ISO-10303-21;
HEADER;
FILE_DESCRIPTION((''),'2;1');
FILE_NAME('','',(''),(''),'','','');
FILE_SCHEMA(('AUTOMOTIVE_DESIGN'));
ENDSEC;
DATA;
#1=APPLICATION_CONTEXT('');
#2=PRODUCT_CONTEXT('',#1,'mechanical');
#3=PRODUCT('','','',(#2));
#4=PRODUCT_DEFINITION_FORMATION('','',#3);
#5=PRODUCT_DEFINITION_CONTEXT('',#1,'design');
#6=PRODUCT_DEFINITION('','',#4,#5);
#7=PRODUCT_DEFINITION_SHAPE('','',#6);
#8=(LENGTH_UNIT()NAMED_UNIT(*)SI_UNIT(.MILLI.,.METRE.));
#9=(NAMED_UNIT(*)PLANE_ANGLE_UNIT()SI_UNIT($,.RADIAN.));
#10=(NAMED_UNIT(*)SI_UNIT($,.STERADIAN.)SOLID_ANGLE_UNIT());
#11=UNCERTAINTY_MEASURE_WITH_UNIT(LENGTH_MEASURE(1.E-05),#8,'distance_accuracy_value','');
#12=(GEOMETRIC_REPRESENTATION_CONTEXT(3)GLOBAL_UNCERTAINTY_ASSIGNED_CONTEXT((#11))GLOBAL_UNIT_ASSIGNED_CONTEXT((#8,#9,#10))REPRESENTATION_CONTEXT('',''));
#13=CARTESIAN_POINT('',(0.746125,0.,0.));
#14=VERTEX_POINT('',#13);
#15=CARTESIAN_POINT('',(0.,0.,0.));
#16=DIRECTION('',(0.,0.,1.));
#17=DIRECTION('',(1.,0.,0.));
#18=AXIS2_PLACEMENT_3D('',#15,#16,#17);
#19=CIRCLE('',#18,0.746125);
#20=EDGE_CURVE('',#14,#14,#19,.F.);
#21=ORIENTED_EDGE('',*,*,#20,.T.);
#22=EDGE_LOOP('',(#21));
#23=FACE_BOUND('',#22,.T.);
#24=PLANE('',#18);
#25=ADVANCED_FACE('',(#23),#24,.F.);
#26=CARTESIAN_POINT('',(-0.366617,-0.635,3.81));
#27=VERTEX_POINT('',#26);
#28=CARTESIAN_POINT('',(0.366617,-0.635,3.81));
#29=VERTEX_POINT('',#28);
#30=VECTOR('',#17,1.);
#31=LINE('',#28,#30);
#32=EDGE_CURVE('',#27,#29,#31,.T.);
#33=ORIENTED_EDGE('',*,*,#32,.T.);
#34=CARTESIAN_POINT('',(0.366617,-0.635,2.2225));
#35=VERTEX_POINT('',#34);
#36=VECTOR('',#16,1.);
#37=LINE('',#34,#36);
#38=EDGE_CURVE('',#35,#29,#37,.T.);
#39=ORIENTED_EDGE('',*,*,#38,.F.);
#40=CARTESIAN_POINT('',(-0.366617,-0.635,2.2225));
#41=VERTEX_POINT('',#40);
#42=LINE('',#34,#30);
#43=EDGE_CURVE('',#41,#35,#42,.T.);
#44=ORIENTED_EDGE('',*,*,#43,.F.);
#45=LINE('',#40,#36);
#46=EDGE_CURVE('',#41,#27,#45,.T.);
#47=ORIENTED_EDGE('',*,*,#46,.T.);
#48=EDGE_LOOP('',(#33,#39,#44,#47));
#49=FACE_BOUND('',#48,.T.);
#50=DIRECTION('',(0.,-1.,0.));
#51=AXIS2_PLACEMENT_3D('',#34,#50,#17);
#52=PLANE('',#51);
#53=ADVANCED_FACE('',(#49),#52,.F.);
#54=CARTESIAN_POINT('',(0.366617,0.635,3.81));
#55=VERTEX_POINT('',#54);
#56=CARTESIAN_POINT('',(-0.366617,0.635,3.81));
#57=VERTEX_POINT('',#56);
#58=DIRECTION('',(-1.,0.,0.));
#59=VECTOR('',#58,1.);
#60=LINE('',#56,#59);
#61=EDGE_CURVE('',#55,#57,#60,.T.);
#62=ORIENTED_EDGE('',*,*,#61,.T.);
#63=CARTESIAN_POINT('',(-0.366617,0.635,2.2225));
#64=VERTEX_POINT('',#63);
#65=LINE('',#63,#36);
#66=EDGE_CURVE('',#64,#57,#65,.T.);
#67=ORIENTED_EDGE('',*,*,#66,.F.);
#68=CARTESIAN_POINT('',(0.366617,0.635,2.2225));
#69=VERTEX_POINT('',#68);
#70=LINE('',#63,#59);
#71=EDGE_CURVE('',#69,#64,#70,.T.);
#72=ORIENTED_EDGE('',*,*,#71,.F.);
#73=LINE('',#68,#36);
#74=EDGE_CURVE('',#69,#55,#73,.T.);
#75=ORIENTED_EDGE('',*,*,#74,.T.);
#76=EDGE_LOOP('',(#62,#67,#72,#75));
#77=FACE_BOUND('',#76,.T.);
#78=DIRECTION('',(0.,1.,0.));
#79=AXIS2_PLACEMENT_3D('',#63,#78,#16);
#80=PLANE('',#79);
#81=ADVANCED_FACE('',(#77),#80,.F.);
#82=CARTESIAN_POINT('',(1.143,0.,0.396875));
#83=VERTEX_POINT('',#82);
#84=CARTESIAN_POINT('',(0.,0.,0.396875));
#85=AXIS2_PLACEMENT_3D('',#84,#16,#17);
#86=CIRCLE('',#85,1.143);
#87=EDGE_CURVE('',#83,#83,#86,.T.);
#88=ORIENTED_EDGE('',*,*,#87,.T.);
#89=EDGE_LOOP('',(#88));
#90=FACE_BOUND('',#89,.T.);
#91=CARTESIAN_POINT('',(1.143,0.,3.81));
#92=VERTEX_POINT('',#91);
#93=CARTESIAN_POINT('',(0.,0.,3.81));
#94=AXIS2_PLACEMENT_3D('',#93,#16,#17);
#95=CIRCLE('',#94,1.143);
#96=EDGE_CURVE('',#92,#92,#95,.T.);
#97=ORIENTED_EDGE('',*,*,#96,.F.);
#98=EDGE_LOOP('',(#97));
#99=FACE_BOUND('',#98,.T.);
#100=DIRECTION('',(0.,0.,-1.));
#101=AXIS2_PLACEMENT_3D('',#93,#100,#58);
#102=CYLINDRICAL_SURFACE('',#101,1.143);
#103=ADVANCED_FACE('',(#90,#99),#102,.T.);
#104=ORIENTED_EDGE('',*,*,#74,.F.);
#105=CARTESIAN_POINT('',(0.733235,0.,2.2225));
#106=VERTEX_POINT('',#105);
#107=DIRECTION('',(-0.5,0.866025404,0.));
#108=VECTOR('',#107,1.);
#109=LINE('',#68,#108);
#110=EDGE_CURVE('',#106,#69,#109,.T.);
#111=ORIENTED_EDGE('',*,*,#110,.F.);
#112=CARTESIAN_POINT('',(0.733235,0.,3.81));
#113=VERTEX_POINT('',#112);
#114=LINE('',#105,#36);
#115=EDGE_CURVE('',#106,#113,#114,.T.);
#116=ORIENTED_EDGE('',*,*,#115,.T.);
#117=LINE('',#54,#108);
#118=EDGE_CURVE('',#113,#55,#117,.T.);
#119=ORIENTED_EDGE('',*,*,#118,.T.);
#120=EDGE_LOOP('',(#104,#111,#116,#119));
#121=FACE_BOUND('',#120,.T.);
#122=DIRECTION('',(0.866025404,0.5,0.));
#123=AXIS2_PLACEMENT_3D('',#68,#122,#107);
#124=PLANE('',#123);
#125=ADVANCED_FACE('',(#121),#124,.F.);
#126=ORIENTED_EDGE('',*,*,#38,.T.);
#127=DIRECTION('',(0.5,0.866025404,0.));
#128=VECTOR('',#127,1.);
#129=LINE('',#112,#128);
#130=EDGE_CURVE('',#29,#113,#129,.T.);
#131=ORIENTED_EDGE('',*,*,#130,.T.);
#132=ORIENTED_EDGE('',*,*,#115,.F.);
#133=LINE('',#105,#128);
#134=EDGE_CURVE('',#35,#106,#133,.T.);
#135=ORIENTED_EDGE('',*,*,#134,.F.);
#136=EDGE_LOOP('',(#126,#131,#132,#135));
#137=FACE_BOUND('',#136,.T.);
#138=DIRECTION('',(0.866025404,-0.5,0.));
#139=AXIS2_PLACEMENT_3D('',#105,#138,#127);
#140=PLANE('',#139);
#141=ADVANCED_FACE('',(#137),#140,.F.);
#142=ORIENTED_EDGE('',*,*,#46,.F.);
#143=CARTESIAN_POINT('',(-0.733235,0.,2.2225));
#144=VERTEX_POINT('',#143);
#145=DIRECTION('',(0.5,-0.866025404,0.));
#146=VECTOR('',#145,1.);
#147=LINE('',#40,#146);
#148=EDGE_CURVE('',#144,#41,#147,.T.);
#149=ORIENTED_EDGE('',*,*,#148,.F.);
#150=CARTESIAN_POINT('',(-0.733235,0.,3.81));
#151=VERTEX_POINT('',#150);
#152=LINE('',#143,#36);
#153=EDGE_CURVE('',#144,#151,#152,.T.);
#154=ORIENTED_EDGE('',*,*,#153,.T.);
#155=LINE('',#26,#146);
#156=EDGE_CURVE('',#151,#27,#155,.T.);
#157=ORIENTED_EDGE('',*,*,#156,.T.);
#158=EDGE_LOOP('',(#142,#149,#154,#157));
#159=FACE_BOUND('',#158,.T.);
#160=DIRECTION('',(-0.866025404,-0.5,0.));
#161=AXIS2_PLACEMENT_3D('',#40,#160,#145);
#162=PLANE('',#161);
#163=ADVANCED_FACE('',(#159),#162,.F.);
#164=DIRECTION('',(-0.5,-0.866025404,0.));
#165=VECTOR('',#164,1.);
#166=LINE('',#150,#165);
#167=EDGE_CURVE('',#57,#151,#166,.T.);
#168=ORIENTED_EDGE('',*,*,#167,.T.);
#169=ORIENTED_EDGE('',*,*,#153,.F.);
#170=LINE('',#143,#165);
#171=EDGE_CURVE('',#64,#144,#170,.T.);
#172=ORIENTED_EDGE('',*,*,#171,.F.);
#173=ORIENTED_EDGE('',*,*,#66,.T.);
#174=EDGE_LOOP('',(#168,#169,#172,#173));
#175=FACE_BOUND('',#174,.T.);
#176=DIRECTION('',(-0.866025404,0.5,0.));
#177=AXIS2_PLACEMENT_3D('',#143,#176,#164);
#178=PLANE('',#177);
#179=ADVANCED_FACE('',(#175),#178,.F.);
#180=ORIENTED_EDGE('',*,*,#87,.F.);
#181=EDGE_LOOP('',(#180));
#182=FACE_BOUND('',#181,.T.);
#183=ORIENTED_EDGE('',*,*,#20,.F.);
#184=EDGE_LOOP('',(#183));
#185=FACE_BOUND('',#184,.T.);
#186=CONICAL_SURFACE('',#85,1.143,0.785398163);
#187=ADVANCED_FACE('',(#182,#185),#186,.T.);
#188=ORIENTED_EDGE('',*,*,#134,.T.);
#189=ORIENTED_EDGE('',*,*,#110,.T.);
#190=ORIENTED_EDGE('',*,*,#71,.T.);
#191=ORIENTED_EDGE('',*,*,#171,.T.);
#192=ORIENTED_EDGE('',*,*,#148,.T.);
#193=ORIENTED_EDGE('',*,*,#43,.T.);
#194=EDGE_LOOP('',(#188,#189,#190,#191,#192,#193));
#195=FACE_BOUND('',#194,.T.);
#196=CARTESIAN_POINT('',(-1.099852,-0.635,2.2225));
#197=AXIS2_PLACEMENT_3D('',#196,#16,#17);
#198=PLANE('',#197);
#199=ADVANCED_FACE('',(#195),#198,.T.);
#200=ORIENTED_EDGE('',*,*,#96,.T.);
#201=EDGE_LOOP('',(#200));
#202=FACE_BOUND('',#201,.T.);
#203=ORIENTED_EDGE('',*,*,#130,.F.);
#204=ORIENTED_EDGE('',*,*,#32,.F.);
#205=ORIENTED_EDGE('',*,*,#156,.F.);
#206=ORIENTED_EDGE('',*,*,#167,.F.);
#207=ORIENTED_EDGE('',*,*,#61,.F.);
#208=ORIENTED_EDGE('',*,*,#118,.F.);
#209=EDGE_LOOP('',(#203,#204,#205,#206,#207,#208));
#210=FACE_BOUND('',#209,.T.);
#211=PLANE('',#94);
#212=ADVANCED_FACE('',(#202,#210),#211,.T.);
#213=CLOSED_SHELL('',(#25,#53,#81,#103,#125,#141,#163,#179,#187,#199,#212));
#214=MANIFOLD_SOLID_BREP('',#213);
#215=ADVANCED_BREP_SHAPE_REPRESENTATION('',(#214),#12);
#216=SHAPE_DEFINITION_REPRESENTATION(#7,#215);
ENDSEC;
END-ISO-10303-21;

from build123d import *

# Parameters (mm, degrees)
SKETCH1_R      = 1.143
CYLINDER_DEPTH = 3.81
HEX_2_DEPTH    = 1.5875
CHAMFER1_SIZE  = 0.396875


with BuildPart() as part:
    # Sketch1 → cylinder (new body)
    with BuildSketch(Plane.XY):
        Circle(SKETCH1_R)
    extrude(amount=CYLINDER_DEPTH)

    # Hexagon - circumscribed1 → hex 2 (cut)
    with BuildSketch(Plane(origin=(0.056837481, 0.066692776, 3.81), x_dir=(1, 0, 0), z_dir=(0, 0, 1))):
        Polygon((-0.423454902, 0.568307224), (0.30977994, 0.568307224), (0.676397361, -0.066692776), (0.30977994, -0.701692776), (-0.423454902, -0.701692776), (-0.790072323, -0.066692776), align=None)
    extrude(amount=-HEX_2_DEPTH, mode=Mode.SUBTRACT)

    # Chamfer1
    chamfer1_edges = [part.edges().sort_by_distance(p)[0] for p in [
        (-1.143, 0, 0),
    ]]
    chamfer(chamfer1_edges, length=CHAMFER1_SIZE)


solid = part.part
